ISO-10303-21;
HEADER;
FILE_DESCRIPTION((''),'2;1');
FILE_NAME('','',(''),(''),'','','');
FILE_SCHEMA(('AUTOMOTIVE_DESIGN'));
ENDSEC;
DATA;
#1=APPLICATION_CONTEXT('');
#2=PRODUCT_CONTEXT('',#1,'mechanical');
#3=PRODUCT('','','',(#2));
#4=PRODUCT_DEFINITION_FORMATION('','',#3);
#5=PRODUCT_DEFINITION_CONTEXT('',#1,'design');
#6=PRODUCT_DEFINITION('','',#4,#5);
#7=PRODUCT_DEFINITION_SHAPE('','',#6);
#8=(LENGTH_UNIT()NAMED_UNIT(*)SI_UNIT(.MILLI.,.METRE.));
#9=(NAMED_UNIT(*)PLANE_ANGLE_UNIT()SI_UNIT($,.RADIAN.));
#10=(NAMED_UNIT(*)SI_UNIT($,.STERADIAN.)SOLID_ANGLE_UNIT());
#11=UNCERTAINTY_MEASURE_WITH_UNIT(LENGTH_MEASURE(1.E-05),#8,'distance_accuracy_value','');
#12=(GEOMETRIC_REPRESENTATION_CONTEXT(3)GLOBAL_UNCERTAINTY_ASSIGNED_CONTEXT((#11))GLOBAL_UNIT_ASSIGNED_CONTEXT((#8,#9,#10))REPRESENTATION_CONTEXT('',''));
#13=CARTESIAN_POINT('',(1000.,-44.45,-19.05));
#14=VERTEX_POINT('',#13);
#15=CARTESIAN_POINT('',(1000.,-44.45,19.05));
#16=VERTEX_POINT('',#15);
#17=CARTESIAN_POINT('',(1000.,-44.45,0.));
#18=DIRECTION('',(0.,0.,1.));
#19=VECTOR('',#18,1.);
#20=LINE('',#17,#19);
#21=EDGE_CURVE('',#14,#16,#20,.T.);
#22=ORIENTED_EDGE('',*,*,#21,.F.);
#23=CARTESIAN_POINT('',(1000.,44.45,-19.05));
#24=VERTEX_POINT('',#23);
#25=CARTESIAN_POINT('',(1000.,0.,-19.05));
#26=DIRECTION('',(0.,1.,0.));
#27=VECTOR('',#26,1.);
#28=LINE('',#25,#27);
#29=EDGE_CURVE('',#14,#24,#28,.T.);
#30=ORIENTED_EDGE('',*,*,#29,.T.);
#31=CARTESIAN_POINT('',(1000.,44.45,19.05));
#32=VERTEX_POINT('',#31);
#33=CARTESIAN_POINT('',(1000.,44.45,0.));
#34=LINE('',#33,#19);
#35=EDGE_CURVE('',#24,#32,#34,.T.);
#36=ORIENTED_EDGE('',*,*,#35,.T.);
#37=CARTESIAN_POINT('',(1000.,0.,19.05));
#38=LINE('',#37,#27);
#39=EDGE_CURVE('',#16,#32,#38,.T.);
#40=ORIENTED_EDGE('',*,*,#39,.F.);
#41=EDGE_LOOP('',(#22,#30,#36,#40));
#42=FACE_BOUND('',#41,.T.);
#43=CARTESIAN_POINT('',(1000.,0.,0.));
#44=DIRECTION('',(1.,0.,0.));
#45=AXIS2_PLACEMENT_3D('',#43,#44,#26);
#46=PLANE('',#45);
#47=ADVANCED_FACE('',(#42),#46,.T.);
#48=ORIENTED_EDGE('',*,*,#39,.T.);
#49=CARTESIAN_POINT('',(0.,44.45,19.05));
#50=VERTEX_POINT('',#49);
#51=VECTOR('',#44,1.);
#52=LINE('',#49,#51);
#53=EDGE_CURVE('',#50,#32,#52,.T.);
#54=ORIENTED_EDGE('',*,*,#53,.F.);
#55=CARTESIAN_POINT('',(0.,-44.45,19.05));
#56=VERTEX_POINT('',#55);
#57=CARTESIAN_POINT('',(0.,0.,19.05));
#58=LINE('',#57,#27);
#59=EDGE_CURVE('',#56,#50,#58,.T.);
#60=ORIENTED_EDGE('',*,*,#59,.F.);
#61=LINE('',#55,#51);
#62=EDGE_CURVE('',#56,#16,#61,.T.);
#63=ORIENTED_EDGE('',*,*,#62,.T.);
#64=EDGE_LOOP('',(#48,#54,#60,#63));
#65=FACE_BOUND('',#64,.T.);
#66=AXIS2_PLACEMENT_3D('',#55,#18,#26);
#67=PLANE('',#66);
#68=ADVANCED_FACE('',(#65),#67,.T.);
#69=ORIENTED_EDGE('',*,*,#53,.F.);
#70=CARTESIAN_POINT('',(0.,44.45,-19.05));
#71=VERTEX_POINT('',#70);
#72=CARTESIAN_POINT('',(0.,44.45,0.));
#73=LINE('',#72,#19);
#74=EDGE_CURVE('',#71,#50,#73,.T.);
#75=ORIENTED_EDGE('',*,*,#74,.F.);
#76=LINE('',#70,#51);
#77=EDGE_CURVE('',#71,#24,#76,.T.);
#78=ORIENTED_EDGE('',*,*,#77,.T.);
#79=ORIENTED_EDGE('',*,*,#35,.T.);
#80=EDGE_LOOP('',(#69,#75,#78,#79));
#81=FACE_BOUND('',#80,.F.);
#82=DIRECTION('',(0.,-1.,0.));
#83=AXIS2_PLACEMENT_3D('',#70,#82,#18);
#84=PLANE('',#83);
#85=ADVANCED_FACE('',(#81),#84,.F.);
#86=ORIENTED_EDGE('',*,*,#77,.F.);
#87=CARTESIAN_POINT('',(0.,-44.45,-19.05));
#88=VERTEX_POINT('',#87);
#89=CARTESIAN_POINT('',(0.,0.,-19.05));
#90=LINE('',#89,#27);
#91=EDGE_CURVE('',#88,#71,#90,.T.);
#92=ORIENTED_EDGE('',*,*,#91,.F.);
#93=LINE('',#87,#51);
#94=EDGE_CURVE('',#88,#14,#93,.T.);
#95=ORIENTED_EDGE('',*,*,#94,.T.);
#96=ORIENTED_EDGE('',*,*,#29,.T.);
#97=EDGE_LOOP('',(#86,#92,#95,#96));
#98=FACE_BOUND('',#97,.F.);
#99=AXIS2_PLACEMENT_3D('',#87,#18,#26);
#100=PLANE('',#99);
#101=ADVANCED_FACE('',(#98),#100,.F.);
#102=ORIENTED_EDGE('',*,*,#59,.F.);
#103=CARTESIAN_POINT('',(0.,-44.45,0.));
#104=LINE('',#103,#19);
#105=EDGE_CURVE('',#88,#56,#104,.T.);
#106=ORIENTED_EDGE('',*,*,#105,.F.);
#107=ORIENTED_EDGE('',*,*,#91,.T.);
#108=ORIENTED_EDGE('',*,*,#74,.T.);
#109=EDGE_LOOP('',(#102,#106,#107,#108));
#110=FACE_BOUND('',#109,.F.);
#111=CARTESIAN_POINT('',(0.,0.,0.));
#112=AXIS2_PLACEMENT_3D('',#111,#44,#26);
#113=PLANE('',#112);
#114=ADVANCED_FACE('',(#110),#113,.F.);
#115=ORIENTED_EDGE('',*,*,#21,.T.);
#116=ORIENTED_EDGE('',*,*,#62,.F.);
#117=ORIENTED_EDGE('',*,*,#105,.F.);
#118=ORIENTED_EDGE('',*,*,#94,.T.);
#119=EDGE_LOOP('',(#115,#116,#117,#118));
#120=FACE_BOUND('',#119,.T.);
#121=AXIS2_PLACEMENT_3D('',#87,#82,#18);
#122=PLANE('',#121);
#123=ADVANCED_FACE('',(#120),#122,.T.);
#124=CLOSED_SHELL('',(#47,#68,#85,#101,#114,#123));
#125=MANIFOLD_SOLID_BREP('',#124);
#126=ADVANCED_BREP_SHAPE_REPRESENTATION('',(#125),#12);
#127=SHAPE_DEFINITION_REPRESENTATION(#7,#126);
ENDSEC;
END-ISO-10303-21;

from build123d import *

# Parameters (mm, degrees)
F0_W     = 88.9
F0_H     = 38.1
F1_DEPTH = 1000


with BuildPart() as f1:
    # F0 (on Right) → F1 (new body)
    with BuildSketch(Plane.YZ):
        Rectangle(F0_W, F0_H)
    extrude(amount=F1_DEPTH)


solid = f1.part
